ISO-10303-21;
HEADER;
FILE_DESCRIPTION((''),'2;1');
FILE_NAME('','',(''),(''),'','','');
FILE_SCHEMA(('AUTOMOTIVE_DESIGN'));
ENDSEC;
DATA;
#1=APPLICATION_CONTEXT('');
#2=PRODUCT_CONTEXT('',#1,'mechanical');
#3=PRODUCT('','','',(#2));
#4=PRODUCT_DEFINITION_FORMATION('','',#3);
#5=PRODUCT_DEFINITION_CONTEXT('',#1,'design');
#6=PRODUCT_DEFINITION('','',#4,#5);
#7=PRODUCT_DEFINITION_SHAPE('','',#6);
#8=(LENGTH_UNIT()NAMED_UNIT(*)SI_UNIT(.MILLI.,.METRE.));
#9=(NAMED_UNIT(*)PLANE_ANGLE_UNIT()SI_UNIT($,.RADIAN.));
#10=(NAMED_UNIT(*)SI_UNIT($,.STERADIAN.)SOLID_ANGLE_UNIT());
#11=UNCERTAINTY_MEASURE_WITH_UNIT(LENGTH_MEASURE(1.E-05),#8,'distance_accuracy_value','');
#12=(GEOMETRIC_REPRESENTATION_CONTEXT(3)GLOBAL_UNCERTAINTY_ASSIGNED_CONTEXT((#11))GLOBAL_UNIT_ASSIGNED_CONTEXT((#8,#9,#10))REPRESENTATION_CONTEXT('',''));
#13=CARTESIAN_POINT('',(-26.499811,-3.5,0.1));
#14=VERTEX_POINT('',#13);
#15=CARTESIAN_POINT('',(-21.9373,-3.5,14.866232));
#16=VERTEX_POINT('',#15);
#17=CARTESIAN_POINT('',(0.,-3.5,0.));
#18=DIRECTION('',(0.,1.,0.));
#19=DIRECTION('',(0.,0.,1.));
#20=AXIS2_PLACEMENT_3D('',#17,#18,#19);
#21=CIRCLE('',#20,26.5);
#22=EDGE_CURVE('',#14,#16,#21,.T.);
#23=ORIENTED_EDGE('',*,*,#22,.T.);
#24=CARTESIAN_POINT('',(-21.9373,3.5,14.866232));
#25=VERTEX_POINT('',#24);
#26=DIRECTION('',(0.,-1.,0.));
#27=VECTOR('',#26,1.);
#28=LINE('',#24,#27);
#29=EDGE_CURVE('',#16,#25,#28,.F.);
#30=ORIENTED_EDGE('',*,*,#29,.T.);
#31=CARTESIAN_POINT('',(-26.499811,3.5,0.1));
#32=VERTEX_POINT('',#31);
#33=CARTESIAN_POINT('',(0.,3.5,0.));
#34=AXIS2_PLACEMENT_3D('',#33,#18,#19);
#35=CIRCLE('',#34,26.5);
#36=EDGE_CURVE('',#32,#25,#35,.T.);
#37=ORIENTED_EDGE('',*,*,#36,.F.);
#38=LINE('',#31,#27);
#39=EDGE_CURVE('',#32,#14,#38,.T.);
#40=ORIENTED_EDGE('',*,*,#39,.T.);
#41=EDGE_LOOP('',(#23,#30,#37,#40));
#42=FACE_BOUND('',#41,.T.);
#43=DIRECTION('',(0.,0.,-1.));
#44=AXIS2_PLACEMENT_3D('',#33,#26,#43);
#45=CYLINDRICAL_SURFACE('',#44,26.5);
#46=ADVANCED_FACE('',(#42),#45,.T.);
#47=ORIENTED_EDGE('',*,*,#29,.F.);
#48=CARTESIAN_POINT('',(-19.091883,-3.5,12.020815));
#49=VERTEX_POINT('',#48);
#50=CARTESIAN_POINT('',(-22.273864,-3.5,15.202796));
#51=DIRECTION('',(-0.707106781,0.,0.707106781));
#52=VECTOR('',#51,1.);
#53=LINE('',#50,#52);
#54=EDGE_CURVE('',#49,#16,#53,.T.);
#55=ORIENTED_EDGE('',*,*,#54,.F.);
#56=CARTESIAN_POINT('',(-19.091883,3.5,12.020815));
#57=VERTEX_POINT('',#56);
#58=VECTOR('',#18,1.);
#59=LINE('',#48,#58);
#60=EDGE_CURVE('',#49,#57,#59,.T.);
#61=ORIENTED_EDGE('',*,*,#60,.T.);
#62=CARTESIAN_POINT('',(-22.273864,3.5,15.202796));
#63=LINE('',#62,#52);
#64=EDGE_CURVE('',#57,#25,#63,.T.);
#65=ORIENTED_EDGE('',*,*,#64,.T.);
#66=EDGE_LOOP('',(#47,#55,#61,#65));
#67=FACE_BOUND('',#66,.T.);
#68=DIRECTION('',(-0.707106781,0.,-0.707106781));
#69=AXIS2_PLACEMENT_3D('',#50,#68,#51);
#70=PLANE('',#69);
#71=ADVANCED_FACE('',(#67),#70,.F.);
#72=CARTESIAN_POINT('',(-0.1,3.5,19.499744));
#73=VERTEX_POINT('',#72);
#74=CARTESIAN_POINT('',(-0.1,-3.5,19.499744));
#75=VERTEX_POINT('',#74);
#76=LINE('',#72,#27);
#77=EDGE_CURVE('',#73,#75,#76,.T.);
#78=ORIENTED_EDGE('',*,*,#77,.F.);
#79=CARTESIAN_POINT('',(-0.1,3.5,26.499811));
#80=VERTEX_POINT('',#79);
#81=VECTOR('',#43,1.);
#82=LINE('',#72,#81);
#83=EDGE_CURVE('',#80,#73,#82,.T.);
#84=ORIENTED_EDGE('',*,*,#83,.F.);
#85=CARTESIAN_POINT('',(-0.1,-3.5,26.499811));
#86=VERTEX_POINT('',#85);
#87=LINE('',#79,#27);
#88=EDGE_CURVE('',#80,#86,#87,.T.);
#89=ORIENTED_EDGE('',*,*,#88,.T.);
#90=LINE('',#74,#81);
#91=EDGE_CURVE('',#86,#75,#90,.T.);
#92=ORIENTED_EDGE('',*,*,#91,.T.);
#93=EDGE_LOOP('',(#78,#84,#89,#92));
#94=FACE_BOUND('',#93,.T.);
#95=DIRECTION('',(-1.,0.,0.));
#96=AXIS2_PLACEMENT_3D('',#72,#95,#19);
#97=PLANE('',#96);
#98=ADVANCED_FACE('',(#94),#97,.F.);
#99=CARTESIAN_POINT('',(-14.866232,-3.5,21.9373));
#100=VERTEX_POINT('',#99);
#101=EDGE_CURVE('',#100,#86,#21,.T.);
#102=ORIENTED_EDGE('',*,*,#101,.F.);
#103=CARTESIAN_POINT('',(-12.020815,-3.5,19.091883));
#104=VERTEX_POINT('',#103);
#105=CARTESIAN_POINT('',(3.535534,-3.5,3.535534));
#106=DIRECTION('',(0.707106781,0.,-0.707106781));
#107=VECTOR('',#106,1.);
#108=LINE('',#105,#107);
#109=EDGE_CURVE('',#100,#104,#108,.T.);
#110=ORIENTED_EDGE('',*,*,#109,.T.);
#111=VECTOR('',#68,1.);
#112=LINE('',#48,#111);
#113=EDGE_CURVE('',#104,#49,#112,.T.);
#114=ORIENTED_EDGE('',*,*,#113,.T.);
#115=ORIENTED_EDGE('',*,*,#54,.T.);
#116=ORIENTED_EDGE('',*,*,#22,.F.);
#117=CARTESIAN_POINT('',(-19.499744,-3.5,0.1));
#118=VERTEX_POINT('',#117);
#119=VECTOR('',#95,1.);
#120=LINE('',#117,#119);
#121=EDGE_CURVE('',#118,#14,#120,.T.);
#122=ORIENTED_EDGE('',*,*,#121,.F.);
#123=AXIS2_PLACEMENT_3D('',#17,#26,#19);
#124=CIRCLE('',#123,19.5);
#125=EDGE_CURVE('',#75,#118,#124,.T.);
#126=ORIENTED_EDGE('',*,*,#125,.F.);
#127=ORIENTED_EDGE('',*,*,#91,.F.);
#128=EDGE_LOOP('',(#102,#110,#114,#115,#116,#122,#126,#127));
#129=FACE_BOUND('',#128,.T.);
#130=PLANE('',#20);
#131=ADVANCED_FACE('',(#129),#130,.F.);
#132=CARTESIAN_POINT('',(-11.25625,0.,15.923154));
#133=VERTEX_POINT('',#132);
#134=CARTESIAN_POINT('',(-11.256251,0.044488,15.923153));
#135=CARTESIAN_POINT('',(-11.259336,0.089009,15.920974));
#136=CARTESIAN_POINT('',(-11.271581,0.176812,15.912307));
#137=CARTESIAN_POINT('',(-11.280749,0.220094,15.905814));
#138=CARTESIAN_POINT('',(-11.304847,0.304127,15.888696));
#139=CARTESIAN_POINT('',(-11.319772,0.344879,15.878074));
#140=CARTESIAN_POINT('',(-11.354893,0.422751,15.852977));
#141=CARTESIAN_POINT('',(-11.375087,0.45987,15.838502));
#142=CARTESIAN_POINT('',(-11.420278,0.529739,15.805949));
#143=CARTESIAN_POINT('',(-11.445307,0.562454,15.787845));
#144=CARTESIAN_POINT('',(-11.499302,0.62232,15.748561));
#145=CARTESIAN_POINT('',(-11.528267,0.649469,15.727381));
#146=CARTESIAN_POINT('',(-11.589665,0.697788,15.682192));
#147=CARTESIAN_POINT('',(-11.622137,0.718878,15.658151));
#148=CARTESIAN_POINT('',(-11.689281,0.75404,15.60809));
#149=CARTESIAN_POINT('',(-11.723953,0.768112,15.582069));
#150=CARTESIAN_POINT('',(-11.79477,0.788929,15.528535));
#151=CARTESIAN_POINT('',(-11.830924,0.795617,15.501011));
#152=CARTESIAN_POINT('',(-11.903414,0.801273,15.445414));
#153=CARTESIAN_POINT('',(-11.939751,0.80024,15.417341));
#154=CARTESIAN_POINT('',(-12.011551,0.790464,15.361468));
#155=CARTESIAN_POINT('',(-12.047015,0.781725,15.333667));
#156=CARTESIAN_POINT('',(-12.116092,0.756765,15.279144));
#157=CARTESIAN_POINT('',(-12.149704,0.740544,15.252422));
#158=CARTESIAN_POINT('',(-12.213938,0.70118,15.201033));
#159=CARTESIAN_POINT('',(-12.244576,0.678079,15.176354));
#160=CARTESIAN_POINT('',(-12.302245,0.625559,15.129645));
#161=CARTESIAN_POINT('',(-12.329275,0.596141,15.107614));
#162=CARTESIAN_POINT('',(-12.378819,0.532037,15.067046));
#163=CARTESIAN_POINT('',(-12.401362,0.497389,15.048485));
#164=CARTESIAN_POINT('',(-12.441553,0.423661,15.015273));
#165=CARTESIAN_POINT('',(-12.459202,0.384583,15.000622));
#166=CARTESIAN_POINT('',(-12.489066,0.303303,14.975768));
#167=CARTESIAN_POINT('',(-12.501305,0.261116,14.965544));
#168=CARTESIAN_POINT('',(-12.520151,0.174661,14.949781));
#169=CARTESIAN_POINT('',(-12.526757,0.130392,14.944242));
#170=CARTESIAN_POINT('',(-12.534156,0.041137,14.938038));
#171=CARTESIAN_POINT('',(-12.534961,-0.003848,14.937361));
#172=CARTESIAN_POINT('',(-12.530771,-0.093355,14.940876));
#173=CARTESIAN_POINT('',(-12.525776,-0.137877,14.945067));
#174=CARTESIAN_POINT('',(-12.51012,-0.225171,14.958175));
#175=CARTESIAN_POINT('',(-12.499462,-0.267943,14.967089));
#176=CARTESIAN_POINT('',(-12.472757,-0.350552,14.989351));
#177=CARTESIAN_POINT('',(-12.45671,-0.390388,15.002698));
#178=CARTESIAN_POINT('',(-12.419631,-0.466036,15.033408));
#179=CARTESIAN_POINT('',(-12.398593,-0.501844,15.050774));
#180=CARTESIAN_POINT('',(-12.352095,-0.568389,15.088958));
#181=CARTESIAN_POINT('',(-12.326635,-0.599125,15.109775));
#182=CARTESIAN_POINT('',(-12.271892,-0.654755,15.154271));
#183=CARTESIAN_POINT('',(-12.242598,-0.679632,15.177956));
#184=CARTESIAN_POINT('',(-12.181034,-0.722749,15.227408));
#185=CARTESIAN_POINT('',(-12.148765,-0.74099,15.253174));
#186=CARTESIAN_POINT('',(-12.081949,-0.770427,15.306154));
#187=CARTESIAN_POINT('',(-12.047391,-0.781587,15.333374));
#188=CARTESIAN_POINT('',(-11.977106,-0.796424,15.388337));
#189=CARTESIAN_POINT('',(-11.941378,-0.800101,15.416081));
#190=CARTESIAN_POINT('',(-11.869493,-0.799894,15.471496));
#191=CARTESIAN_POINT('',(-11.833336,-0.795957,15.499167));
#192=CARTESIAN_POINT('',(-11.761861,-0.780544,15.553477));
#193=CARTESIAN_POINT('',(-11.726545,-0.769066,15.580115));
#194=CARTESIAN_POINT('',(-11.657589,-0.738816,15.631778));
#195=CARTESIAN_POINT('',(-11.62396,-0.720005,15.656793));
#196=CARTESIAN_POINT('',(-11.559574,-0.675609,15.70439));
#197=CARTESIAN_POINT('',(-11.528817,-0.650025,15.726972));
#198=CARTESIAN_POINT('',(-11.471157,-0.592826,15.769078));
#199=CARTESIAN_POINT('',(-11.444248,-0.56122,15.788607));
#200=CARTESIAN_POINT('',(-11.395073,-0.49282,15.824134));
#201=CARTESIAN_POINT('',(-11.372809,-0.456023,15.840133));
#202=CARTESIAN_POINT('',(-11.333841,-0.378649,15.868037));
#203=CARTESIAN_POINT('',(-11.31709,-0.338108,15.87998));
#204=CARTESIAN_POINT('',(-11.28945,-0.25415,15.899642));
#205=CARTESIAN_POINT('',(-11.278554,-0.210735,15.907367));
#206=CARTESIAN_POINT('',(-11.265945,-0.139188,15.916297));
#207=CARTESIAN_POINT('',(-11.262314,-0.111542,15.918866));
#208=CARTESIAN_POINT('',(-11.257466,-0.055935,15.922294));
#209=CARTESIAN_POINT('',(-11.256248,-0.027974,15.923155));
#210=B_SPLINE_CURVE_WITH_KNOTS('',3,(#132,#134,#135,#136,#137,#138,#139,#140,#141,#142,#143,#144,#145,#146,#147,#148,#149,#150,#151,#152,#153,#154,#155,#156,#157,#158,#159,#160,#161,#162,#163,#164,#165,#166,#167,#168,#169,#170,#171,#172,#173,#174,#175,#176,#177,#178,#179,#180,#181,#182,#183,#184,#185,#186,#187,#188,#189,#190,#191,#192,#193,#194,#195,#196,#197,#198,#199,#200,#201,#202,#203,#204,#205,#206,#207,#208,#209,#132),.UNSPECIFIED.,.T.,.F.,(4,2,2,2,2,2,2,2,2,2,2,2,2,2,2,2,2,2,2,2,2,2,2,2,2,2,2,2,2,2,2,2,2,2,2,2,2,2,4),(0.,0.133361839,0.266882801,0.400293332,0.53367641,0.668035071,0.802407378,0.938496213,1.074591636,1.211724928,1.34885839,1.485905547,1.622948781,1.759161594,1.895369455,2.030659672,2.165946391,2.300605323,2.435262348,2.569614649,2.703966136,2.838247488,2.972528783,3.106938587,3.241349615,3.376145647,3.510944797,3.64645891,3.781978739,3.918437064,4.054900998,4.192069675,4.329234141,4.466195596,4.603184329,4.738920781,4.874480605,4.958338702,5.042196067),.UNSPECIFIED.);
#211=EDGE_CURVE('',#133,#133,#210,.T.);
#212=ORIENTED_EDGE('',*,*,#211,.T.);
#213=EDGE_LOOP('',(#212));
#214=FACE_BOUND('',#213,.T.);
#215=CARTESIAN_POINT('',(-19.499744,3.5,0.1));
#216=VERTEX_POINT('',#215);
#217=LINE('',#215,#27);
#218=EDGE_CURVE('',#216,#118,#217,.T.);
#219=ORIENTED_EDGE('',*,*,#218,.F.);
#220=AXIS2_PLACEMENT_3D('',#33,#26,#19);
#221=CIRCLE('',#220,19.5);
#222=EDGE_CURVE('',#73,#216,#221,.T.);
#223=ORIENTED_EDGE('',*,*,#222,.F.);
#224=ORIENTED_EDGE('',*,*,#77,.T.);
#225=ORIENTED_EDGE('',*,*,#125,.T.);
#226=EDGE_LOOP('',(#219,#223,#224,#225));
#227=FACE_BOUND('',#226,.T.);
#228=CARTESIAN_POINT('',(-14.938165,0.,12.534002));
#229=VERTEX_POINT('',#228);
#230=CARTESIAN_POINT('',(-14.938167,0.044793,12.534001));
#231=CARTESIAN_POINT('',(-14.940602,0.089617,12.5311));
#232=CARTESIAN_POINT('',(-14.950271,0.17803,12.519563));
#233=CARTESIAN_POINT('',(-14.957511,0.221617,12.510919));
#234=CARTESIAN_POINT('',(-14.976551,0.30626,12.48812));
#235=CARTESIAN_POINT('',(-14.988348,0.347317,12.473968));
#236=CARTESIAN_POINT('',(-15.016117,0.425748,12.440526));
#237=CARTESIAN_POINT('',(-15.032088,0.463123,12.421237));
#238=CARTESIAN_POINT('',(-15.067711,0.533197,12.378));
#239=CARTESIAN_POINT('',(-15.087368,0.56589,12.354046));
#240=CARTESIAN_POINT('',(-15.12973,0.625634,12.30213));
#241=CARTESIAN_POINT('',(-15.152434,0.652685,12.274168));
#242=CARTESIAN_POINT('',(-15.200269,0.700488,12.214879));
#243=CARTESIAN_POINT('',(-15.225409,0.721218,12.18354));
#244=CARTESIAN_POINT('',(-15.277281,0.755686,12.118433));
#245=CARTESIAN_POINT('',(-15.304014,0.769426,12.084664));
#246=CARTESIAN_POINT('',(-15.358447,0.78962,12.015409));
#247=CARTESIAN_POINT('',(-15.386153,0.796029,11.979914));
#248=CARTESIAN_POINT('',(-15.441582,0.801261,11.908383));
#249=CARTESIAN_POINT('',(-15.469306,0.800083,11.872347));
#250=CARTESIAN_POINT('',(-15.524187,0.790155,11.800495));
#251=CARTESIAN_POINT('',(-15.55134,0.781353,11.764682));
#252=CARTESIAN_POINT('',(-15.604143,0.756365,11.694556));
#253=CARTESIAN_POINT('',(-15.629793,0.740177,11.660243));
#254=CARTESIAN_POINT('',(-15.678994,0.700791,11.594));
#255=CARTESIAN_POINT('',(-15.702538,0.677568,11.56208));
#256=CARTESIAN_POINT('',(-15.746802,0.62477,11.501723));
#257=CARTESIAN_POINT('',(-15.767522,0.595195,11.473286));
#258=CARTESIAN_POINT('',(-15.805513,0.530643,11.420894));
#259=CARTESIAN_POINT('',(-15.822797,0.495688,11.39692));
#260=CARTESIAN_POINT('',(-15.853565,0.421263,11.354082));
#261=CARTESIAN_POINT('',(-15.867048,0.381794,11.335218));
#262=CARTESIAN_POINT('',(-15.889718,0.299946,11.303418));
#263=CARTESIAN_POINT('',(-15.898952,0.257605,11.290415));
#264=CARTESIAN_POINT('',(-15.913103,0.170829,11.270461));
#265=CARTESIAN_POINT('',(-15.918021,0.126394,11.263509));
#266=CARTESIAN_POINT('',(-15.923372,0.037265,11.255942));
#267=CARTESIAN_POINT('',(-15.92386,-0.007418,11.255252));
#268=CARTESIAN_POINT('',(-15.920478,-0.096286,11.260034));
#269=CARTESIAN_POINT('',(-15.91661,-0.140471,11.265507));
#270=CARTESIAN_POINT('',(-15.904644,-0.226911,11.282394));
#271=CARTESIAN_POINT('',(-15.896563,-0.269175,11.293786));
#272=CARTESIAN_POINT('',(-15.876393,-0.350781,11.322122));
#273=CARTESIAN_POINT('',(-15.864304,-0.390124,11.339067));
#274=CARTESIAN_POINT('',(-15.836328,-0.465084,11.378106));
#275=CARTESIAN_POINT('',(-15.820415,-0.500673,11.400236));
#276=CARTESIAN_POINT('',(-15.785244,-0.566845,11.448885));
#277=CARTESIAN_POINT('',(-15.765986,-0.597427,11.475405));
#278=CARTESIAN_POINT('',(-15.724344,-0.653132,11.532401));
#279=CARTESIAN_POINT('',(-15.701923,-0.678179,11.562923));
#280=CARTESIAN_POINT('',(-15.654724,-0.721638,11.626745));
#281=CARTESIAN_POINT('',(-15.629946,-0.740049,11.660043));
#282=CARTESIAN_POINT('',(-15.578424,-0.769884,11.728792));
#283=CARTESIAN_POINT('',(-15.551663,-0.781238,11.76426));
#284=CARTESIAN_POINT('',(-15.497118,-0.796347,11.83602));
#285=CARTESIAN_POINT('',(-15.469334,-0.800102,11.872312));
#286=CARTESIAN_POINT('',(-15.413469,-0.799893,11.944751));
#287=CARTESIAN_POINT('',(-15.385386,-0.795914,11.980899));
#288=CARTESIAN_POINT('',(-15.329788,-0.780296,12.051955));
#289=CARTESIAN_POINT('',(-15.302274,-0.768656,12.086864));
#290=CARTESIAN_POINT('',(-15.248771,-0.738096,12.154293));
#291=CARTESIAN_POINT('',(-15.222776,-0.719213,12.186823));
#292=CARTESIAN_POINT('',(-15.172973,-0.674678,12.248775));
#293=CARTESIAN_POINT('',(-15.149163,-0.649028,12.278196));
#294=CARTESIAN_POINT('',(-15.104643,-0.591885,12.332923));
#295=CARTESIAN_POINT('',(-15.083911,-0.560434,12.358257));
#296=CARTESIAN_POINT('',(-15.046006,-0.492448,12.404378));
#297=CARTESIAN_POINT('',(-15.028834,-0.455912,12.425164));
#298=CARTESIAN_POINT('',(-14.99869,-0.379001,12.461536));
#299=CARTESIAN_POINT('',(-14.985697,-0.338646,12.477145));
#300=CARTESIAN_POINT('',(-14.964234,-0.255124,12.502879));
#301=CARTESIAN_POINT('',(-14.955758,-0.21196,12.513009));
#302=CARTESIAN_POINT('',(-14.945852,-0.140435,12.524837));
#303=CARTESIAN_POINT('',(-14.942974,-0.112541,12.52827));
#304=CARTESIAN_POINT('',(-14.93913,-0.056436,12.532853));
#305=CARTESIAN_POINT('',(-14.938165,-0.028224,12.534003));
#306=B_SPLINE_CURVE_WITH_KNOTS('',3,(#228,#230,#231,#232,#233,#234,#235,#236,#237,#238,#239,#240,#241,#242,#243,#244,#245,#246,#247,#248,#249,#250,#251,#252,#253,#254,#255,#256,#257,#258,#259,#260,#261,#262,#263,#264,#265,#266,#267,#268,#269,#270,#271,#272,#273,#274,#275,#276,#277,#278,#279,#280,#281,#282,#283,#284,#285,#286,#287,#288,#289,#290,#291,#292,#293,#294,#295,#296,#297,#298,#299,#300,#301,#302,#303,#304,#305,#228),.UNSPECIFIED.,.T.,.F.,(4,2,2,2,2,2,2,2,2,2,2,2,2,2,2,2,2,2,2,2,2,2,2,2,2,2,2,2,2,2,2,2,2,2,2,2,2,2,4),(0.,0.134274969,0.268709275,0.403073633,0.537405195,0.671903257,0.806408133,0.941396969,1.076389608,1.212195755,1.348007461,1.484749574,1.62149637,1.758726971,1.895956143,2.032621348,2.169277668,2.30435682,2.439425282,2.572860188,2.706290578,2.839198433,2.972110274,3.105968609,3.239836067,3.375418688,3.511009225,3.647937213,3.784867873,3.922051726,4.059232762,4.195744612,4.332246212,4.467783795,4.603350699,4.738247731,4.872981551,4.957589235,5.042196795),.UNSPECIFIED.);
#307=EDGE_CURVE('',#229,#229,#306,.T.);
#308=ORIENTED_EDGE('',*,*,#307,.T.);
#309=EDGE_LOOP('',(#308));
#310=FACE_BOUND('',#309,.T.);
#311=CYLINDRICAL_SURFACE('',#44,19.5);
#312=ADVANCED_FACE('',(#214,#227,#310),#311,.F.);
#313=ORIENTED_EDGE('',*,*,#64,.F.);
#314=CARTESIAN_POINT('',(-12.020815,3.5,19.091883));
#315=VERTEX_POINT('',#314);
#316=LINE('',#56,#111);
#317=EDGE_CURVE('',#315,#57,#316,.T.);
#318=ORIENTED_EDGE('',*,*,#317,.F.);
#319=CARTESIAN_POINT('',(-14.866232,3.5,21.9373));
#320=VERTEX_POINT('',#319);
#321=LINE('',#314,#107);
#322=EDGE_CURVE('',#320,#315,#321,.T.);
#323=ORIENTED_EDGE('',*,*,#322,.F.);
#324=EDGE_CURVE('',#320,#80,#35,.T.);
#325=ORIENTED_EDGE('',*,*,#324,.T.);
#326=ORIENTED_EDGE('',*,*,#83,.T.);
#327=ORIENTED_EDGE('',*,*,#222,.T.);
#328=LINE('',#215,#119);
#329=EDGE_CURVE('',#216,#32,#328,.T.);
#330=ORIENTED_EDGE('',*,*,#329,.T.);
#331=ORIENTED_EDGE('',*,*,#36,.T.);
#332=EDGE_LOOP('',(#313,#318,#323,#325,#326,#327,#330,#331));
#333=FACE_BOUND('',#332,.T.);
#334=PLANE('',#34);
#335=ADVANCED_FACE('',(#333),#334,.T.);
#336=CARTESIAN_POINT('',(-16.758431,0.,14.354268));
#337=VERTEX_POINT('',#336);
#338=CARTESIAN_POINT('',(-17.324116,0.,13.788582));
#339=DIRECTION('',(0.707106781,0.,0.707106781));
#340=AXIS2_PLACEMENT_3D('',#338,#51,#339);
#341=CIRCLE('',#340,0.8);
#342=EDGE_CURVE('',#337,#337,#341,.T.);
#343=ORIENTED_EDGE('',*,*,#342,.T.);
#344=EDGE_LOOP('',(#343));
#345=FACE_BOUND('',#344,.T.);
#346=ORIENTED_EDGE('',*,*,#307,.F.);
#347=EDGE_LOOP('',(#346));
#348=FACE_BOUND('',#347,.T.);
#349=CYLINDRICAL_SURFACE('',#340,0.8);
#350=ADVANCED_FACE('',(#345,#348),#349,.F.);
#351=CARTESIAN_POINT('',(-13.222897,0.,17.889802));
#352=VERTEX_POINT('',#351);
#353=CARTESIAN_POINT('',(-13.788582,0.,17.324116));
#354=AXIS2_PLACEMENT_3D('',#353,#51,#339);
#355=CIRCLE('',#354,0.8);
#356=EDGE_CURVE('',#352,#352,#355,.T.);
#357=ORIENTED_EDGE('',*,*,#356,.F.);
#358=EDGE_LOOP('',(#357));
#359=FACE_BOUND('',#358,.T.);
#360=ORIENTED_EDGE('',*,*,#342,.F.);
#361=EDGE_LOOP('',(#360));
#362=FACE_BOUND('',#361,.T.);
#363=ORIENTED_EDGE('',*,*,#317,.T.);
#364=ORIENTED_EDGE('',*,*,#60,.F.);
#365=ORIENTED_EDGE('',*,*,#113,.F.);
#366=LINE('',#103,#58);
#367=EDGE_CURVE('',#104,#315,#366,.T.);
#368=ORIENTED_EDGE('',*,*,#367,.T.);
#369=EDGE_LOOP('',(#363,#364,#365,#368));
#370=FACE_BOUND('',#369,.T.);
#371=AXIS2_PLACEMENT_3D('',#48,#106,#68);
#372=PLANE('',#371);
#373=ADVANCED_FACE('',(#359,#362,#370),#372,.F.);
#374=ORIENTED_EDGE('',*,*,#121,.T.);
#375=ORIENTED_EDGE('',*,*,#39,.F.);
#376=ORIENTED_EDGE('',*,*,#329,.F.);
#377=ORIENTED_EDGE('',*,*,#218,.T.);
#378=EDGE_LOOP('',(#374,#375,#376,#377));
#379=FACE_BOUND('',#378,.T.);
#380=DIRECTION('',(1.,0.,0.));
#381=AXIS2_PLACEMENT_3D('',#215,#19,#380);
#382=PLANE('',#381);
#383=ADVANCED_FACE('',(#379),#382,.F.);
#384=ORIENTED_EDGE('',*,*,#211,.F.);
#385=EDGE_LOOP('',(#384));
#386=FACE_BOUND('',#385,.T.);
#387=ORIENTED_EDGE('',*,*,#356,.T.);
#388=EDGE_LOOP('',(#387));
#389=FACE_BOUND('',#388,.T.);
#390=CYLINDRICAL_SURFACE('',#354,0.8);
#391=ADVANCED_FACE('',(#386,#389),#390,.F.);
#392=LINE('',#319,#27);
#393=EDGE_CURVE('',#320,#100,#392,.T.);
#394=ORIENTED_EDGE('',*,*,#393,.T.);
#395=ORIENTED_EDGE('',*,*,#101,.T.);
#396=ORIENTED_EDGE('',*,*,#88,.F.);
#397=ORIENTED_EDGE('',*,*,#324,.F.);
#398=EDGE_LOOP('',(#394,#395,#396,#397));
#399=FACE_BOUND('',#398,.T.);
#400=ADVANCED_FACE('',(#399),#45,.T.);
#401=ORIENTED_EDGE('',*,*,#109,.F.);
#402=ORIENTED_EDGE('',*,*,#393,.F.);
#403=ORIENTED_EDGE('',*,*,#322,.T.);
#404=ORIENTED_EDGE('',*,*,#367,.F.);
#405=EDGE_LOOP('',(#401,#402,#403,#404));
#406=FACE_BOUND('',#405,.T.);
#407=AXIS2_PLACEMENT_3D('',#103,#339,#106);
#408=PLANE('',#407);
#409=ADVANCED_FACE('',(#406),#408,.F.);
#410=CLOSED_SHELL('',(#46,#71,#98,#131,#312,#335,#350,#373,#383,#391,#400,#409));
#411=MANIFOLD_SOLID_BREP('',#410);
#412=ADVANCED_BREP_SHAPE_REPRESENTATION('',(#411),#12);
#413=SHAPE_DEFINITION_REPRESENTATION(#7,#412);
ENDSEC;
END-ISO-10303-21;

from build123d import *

# Parameters (mm, degrees)
BOSS_EXTRUDE1_DEPTH                   = 3.5
CUT_EXTRUDE1_DEPTH                    = 39.124532784
TAP_DRILL_FOR_M2X0_4_TAP1_D           = 1.6
TAP_DRILL_FOR_M2X0_4_TAP1_ON_FACE_2_D = 1.6


with BuildPart() as part:
    # Sketch1 → Boss-Extrude1 (new, symmetric)
    with BuildSketch(Plane(origin=(0, 0, 0), x_dir=(1, 0, 0), z_dir=(0, 1, 0))):
        with BuildLine():
            Line((-19.499743588, -0.1), (-26.49981132, -0.1))
            ThreePointArc((-26.49981132, -0.1), (-18.738329701, -18.738329701), (-0.1, -26.49981132))
            Line((-0.1, -26.49981132), (-0.1, -19.499743588))
            ThreePointArc((-0.1, -19.499743588), (-13.788582233, -13.788582233), (-19.499743588, -0.1))
        make_face()
    extrude(amount=BOSS_EXTRUDE1_DEPTH, both=True)

    # Sketch2 → Cut-Extrude1 (cut, through all)
    with BuildSketch(Plane(origin=(0, 3.5, 0), x_dir=(1, 0, 0), z_dir=(0, 1, 0))):
        Polygon((-22.273863607, -15.202795796), (-15.202795796, -22.273863607), (-12.02081528, -19.091883092), (-19.091883092, -12.02081528), align=None)
    extrude(amount=-CUT_EXTRUDE1_DEPTH, mode=Mode.SUBTRACT)

    # Tap Drill for M2x0.4 Tap1 (through all)
    with Locations(Plane(origin=(-17.324116139, 0, 13.788582233), x_dir=(0.707106781187, 0, 0.707106781187), z_dir=(-0.707106781187, 0, 0.707106781187))):
        with Locations((0, 0)):
            Hole(TAP_DRILL_FOR_M2X0_4_TAP1_D / 2)

    # Tap Drill for M2x0.4 Tap1 on face 2 (through all)
    with Locations(Plane(origin=(-13.788582233, 0, 17.324116139), x_dir=(0.707106781187, 0, 0.707106781187), z_dir=(-0.707106781187, 0, 0.707106781187))):
        with Locations((0, 0)):
            Hole(TAP_DRILL_FOR_M2X0_4_TAP1_ON_FACE_2_D / 2)


solid = part.part
